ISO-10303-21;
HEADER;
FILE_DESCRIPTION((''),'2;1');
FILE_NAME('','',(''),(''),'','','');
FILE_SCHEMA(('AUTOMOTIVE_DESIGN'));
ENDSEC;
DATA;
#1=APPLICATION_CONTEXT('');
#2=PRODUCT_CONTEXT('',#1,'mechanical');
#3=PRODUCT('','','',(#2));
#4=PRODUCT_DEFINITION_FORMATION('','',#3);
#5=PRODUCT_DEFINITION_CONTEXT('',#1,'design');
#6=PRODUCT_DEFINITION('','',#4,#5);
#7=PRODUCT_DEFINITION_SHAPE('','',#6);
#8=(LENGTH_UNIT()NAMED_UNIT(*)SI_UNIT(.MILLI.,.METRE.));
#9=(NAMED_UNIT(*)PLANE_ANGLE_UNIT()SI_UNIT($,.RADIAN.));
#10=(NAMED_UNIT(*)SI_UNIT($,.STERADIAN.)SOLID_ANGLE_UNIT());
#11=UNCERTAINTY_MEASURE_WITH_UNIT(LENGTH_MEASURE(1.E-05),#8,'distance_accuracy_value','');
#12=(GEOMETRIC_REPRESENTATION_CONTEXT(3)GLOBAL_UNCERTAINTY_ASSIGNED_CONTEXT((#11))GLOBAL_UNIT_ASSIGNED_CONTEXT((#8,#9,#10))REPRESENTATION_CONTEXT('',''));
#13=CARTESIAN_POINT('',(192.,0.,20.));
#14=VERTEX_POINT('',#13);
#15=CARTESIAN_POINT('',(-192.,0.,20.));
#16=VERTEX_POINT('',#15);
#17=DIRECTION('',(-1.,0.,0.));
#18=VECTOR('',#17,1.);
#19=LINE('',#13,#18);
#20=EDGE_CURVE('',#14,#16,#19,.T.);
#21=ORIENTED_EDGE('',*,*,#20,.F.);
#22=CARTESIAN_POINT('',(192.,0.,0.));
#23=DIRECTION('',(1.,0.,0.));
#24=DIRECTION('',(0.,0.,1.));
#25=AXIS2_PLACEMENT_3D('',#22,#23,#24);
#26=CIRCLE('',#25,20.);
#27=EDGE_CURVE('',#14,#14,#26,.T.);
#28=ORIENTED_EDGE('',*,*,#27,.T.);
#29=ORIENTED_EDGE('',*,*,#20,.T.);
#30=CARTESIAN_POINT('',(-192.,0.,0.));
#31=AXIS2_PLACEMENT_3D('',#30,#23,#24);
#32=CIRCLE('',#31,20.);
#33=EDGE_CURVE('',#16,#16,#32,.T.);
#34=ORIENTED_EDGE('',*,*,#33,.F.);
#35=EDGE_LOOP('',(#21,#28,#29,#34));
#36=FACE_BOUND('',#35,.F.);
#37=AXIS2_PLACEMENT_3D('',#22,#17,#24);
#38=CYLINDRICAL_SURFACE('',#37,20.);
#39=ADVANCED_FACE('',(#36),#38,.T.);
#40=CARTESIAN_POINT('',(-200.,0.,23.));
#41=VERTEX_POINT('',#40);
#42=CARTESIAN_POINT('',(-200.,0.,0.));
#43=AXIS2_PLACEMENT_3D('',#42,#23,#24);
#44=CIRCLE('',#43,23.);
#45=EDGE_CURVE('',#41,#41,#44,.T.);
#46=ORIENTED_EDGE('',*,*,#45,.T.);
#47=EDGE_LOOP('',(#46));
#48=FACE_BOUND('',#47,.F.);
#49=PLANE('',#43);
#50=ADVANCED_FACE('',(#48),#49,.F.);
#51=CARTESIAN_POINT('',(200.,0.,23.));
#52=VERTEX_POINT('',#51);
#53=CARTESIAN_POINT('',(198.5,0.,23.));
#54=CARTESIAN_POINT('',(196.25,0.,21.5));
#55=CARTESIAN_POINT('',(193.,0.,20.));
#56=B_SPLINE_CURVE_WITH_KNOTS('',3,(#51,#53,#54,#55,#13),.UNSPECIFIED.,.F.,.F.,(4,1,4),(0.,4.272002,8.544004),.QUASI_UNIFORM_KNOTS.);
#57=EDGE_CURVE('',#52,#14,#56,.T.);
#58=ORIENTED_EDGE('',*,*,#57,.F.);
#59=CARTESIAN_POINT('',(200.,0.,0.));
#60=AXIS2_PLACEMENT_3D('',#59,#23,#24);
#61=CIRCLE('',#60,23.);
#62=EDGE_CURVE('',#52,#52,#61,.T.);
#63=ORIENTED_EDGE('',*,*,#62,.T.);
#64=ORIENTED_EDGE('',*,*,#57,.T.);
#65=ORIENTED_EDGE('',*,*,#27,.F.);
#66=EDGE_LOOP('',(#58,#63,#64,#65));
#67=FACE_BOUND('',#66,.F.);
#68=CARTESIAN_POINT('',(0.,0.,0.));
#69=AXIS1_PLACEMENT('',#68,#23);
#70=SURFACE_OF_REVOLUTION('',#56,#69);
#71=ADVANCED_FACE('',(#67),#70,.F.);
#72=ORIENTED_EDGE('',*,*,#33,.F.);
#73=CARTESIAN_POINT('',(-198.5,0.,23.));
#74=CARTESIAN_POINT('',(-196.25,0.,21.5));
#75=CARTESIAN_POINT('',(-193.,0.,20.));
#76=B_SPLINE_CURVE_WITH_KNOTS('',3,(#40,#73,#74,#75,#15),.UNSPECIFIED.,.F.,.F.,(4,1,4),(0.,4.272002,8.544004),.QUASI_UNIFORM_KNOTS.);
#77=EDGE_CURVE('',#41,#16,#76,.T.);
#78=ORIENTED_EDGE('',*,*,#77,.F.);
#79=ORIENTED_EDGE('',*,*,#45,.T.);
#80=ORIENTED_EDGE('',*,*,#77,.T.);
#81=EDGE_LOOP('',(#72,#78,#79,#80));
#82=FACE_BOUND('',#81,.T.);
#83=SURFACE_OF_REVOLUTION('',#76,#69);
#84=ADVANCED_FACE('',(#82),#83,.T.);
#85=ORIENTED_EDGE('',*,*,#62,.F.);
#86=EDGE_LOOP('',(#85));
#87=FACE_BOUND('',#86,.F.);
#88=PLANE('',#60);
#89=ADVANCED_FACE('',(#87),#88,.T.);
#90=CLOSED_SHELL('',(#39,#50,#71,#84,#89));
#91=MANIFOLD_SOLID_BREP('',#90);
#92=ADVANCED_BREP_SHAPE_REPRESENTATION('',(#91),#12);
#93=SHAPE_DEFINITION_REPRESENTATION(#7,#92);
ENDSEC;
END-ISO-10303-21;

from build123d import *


with BuildPart() as f1:
    # F0 (on Front) → F1 (revolve)
    with BuildSketch(Plane.XZ):
        with BuildLine():
            Line((-200, 23), (-200, 0))
            Line((-200, 0), (200, 0))
            Line((200, 0), (200, 23))
            add(Edge.make_bspline(
                [(200, 23), (198.5, 23), (196.25, 21.5), (193, 20), (192, 20)],
                knots=[0, 0, 0, 0, 4.272002, 8.544004, 8.544004, 8.544004, 8.544004], degree=3))
            Line((192, 20), (0, 20))
            Line((0, 20), (-192, 20))
            add(Edge.make_bspline(
                [(-200, 23), (-198.5, 23), (-196.25, 21.5), (-193, 20), (-192, 20)],
                knots=[0, 0, 0, 0, 4.272002, 8.544004, 8.544004, 8.544004, 8.544004], degree=3))
        make_face()
    revolve(axis=Axis((0, 0, 0), (1, 0, 0)))


solid = f1.part
